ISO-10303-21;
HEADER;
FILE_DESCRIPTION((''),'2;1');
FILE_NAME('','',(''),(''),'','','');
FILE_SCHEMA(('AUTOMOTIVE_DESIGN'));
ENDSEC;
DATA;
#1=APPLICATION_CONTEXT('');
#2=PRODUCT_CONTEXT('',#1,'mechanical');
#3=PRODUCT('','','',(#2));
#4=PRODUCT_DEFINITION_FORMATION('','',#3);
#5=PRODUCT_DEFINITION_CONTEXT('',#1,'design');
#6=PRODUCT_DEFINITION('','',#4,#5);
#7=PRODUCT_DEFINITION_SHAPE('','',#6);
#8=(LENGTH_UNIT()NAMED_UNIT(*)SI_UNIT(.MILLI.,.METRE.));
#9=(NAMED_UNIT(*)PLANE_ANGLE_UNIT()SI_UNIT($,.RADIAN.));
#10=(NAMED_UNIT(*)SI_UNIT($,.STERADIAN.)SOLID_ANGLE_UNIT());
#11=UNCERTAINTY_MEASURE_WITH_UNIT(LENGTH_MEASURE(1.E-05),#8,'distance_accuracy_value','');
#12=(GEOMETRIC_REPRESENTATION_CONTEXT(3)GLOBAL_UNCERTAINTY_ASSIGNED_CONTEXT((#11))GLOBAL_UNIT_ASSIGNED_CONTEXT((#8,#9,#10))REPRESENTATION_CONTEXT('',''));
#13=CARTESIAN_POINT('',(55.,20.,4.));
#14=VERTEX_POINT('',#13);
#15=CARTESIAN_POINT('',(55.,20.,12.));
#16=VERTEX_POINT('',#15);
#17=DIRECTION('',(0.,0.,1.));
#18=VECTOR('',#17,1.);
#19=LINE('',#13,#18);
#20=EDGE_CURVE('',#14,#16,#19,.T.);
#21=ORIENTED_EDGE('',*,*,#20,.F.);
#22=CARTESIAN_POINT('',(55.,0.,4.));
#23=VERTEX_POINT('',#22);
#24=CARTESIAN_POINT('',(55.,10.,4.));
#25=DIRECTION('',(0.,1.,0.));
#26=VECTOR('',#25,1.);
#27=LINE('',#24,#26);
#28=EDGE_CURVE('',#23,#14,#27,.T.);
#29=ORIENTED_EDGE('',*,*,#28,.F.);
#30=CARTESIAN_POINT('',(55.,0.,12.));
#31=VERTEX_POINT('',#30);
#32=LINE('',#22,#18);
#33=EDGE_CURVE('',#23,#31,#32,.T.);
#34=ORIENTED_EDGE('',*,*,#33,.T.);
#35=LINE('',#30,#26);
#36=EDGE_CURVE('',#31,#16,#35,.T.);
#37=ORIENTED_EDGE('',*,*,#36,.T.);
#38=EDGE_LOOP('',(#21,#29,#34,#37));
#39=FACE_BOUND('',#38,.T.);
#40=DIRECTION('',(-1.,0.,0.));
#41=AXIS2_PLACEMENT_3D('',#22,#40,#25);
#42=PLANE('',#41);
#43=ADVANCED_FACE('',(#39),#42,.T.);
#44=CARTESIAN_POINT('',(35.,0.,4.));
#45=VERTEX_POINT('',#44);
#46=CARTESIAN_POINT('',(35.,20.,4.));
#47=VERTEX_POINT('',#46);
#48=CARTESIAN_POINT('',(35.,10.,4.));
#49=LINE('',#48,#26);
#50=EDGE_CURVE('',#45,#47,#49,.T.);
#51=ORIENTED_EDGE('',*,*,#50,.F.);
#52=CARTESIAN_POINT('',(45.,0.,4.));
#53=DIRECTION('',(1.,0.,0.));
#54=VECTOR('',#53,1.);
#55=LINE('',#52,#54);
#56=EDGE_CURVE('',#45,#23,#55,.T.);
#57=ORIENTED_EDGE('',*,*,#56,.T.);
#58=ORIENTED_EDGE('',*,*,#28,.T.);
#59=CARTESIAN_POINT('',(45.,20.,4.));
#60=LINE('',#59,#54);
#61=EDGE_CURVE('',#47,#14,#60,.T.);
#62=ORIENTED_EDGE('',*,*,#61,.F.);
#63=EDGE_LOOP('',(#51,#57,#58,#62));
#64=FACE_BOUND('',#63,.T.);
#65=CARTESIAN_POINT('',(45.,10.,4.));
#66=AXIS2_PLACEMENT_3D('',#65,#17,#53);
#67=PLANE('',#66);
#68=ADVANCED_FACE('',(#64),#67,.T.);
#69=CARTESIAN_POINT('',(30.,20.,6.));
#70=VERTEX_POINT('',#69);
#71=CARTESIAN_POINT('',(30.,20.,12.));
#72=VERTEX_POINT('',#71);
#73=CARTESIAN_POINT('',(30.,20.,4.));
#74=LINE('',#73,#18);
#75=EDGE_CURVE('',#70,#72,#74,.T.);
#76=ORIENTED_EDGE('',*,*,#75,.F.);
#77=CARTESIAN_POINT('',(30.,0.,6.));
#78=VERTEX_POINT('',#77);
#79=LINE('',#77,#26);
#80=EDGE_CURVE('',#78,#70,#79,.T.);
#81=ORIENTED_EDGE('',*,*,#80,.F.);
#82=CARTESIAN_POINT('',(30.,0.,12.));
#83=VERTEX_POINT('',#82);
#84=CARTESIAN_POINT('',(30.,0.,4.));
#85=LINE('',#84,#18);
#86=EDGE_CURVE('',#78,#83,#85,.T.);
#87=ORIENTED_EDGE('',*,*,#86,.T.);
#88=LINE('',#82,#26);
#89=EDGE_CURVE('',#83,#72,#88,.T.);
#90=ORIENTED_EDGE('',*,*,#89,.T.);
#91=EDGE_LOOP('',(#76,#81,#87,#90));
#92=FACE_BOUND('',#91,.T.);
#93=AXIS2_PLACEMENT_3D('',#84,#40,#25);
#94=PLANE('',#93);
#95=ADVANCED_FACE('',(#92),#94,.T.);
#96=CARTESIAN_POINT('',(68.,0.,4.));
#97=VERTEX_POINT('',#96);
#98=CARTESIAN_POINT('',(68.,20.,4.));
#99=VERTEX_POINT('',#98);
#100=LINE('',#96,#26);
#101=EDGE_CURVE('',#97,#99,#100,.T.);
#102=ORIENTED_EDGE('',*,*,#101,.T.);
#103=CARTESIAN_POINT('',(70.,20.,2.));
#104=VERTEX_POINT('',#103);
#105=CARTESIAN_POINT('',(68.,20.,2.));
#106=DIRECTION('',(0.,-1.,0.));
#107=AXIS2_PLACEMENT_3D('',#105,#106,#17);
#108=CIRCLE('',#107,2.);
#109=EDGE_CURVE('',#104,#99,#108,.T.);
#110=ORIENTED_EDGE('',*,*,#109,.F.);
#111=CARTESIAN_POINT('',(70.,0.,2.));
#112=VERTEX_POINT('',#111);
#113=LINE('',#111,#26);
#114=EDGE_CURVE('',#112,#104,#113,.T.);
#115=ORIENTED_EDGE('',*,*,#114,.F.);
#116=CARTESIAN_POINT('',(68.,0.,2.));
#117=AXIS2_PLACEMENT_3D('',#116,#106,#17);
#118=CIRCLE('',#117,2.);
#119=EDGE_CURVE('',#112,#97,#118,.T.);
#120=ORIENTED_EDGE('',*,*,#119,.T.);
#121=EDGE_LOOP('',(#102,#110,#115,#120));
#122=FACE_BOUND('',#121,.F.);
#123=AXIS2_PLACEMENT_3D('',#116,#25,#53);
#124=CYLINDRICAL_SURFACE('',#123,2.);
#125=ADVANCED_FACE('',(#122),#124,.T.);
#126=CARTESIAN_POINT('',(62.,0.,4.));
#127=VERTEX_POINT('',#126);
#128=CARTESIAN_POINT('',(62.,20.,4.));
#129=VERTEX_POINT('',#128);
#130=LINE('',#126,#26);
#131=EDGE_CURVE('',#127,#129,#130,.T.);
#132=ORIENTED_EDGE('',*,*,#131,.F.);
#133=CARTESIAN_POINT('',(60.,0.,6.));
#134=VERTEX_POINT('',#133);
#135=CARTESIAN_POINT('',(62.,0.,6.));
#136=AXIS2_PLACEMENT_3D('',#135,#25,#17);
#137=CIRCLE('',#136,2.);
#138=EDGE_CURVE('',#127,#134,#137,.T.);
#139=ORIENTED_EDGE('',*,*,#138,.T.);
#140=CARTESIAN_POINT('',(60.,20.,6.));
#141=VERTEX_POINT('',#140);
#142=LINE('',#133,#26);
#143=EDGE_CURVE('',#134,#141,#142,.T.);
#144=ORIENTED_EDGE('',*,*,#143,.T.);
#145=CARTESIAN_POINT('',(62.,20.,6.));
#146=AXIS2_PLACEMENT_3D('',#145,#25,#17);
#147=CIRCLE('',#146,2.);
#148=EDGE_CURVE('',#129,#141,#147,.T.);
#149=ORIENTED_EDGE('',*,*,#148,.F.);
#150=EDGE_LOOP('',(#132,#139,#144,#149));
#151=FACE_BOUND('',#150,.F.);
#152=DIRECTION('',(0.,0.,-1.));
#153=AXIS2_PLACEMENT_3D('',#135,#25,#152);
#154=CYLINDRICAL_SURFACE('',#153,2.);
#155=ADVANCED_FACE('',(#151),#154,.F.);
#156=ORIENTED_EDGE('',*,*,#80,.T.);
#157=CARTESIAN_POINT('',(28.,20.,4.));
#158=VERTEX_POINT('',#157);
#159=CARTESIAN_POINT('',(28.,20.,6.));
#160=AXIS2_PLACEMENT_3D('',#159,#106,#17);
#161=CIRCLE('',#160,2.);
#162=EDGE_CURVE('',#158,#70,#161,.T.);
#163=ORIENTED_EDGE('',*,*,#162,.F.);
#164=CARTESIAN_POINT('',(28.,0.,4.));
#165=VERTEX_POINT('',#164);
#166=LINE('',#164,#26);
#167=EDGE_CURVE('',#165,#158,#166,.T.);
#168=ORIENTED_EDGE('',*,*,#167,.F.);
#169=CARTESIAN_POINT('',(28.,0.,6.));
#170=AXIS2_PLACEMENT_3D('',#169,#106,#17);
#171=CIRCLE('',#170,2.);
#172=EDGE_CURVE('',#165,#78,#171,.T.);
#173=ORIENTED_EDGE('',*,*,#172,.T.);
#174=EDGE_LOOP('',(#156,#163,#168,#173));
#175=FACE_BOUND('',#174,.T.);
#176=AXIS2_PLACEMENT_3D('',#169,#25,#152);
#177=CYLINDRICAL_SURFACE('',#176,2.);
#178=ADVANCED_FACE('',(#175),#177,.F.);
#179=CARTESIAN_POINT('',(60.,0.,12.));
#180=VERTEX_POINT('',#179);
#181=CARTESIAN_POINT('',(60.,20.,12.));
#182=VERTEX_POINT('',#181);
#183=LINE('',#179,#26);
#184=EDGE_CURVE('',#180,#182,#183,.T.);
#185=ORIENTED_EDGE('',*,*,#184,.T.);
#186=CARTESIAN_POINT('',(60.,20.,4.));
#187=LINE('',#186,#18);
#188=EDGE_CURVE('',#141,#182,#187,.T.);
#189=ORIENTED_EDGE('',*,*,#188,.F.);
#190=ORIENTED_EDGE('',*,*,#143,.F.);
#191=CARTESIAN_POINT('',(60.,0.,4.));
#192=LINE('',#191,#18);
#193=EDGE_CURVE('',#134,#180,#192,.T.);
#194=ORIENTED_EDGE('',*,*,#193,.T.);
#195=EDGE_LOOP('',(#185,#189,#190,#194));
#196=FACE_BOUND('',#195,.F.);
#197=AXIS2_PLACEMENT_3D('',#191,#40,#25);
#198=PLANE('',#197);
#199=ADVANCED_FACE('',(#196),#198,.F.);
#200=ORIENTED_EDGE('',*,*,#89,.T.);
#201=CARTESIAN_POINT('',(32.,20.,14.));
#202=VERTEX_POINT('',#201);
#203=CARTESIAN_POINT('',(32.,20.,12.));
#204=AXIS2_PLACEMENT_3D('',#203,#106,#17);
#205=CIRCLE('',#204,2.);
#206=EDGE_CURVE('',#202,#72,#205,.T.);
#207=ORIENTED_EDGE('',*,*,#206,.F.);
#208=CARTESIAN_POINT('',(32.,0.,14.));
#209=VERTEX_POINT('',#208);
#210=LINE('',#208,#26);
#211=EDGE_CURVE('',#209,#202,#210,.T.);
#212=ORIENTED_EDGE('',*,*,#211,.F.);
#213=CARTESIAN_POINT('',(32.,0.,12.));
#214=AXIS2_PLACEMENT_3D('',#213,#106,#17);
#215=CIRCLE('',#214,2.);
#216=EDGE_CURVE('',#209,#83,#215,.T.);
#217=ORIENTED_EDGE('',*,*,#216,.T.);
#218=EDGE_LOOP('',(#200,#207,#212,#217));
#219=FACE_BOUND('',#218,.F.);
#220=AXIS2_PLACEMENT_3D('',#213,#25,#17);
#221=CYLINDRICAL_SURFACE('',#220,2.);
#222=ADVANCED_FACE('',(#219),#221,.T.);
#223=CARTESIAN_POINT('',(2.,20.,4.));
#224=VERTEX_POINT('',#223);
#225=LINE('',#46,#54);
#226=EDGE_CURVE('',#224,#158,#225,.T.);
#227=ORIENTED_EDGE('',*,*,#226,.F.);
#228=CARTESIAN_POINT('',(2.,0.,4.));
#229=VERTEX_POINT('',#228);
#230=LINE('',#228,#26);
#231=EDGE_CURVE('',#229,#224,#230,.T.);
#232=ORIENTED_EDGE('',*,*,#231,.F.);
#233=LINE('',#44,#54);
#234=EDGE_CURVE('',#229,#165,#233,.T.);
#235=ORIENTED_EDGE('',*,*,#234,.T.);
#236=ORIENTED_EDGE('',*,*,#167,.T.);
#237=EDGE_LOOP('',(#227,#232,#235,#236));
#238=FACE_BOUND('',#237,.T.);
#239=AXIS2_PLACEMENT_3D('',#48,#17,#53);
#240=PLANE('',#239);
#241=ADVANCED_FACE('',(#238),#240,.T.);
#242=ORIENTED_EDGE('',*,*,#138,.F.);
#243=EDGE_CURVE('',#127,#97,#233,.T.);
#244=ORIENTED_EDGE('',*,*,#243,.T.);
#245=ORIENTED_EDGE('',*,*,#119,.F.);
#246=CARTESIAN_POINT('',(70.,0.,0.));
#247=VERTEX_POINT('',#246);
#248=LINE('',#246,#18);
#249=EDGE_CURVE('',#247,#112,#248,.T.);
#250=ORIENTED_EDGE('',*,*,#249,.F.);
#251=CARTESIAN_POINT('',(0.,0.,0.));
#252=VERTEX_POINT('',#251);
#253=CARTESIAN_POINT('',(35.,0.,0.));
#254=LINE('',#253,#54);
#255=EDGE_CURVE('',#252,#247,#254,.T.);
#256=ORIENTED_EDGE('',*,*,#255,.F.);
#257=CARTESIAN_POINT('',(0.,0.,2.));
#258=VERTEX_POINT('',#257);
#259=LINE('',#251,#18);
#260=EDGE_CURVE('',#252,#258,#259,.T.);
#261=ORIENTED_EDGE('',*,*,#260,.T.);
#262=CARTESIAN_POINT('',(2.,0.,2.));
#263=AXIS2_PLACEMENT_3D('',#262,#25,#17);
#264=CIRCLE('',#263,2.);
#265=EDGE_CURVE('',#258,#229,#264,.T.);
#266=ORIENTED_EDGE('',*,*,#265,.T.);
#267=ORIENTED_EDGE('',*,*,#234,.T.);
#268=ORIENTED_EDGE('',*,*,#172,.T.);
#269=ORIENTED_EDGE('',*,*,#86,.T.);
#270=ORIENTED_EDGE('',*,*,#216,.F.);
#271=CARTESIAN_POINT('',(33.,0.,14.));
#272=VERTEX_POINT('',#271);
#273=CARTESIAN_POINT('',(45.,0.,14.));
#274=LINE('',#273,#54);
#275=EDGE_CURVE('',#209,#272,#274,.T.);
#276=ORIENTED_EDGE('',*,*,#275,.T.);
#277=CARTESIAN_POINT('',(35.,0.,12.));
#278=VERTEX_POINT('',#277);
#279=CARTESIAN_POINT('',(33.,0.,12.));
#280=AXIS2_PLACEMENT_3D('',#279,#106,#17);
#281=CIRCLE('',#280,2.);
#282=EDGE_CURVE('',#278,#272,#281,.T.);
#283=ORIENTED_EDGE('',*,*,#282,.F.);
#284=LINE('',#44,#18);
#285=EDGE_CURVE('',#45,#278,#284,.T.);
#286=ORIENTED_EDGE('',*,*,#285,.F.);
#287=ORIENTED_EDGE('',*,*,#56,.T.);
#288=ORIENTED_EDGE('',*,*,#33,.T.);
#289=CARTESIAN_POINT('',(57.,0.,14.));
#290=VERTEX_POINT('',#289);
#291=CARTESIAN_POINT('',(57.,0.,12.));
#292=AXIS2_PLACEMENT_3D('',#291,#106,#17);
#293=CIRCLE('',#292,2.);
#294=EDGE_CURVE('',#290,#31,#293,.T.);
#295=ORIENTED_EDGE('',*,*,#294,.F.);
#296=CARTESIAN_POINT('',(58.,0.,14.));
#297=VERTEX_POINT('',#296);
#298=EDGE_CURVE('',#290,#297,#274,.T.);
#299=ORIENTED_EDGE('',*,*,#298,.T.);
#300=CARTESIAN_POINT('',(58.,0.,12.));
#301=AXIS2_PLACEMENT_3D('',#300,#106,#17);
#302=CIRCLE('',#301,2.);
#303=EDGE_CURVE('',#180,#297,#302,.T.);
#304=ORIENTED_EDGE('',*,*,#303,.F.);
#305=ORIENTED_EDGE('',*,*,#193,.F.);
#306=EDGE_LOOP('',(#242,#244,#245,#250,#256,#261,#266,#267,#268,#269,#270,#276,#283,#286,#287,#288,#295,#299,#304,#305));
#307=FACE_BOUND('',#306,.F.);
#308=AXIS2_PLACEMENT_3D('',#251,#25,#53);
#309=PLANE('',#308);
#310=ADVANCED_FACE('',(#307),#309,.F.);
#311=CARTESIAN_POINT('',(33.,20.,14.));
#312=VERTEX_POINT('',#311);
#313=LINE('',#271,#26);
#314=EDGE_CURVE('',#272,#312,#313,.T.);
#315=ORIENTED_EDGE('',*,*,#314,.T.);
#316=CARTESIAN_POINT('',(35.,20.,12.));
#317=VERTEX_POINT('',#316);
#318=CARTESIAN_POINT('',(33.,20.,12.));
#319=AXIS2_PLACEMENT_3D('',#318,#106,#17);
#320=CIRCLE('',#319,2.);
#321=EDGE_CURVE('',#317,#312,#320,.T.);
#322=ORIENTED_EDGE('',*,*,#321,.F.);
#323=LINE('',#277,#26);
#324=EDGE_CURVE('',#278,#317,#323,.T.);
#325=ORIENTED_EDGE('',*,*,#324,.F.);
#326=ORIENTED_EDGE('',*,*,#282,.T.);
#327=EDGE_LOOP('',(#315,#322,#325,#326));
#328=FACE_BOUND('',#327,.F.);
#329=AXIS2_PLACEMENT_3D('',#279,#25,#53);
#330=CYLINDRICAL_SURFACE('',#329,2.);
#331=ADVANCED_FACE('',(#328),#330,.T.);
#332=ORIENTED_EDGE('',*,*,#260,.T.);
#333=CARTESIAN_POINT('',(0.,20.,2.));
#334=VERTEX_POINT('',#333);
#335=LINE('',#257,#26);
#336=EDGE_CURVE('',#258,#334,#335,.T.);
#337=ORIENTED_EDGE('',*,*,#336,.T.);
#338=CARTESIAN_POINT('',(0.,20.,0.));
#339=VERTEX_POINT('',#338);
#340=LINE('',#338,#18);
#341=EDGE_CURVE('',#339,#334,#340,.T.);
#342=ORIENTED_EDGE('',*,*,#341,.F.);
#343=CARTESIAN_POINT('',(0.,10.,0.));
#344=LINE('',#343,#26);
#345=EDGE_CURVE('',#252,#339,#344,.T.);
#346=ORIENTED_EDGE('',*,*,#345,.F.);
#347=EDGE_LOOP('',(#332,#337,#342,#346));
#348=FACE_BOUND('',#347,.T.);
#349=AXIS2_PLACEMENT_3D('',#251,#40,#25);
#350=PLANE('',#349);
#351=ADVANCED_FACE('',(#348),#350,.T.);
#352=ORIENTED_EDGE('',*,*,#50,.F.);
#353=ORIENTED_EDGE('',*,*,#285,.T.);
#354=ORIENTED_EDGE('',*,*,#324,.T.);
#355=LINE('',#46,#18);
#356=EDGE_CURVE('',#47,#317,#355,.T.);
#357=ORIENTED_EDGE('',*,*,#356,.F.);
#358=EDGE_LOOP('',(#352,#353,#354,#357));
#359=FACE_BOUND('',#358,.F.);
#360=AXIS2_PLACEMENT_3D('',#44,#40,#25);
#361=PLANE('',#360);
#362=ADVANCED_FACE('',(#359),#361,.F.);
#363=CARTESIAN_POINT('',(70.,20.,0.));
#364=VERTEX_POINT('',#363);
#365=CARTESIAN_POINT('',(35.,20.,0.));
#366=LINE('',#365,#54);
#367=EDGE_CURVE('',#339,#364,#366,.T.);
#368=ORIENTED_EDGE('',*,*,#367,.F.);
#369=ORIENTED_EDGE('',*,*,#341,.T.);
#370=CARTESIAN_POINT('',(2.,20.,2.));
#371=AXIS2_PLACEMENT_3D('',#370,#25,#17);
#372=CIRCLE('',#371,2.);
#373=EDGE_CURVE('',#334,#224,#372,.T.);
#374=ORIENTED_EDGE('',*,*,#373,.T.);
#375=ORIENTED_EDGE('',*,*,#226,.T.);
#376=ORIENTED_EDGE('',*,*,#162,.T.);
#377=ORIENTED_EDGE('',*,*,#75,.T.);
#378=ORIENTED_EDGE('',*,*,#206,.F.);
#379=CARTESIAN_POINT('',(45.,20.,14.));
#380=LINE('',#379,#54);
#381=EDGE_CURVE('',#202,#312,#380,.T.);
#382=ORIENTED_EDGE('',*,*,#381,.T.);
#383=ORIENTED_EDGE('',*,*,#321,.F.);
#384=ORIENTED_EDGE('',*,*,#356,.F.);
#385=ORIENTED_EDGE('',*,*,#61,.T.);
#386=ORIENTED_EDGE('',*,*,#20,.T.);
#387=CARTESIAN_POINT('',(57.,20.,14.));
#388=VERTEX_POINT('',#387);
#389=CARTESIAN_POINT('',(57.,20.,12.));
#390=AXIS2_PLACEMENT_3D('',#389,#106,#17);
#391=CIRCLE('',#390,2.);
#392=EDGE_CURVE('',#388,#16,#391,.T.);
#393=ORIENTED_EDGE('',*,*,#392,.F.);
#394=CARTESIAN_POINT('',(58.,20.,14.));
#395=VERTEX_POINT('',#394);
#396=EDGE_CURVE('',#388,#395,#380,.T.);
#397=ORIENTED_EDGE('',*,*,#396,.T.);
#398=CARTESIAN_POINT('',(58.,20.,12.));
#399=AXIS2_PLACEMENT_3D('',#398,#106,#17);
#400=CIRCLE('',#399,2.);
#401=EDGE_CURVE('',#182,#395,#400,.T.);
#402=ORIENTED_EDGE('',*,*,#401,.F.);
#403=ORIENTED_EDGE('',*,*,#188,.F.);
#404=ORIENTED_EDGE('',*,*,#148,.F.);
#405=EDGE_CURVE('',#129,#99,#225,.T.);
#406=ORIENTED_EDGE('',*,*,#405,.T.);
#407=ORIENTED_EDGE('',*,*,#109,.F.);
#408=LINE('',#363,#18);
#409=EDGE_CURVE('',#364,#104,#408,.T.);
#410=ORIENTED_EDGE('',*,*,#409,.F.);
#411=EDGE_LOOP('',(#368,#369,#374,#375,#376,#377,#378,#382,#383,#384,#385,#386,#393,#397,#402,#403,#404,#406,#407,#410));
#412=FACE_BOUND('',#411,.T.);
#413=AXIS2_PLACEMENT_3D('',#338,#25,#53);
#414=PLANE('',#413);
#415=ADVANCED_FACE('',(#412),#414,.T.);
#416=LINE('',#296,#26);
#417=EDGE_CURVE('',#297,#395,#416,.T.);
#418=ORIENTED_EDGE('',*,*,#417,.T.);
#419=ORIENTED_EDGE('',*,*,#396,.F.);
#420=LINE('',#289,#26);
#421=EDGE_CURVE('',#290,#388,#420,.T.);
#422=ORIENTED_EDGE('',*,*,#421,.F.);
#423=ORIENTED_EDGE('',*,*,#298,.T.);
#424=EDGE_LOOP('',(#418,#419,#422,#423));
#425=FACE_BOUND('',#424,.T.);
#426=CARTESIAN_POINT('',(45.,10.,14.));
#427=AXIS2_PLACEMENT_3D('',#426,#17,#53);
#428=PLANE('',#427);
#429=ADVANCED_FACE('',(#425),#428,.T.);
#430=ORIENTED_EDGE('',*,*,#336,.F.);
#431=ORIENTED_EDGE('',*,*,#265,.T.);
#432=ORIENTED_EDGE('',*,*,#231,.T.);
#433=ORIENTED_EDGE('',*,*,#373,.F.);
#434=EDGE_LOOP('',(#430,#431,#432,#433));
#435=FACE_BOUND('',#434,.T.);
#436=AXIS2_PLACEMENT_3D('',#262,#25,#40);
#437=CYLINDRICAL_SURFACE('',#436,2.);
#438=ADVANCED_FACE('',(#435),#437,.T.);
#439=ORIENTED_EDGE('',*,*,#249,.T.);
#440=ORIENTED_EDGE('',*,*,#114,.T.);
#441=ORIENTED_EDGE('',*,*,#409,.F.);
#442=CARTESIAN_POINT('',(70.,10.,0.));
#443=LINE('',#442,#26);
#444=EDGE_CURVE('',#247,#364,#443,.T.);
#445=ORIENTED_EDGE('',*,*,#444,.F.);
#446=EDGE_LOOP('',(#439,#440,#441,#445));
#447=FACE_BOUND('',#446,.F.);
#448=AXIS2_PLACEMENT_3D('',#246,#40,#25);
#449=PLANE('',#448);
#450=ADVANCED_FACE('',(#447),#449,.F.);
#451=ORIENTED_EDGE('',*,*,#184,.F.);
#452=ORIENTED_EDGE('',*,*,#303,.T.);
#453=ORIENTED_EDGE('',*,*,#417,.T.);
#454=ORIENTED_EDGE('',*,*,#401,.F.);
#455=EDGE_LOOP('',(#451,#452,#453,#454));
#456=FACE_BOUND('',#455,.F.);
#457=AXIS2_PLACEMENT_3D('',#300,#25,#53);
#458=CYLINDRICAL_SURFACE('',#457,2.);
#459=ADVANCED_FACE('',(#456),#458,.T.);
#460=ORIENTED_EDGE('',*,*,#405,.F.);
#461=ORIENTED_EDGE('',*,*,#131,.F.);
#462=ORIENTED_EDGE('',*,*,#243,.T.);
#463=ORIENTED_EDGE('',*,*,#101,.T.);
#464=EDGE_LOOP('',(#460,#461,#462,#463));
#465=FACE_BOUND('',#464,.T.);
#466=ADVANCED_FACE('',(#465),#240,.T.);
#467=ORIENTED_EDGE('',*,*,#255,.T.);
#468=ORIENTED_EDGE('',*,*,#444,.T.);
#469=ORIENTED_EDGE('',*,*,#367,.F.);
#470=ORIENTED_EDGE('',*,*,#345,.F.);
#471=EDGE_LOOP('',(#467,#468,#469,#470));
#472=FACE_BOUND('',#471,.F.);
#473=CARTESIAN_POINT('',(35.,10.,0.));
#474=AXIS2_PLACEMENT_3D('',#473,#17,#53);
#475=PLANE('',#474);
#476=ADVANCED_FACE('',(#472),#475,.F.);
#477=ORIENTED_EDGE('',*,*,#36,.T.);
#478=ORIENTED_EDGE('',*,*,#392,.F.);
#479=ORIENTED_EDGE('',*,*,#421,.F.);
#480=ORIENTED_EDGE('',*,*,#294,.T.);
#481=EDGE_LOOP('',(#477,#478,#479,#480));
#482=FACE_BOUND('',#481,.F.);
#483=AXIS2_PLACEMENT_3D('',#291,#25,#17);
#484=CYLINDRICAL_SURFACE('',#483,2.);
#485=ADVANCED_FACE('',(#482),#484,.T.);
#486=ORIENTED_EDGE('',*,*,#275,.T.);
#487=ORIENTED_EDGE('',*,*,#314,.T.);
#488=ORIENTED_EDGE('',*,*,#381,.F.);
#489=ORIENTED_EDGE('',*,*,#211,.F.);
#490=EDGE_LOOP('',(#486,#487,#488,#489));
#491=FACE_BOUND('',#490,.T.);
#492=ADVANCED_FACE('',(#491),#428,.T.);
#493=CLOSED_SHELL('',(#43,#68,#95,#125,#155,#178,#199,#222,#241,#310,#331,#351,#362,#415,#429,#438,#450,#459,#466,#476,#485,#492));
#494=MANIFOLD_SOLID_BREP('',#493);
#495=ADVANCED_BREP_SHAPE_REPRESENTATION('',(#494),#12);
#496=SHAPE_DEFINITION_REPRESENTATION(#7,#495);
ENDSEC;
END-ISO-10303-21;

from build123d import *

# Parameters (mm, degrees)
BOX002_W     = 20
BOX002_H     = 20
BOX002_DEPTH = 10
BOX001_W     = 30
BOX001_H     = 20
BOX001_DEPTH = 10
BOX_W        = 70
BOX_H        = 20
BOX_DEPTH    = 4
FILLET_R     = 2


with BuildPart() as cube002:
    # Box002 → Box002 (new body)
    with BuildSketch(Plane(origin=(35, 0, 4), x_dir=(1, 0, 0), z_dir=(0, 0, 1))):
        with Locations((10, 10)):
            Rectangle(BOX002_W, BOX002_H)
    extrude(amount=BOX002_DEPTH)


with BuildPart() as cube001:
    # Box001 → Box001 (new body)
    with BuildSketch(Plane(origin=(30, 0, 4), x_dir=(1, 0, 0), z_dir=(0, 0, 1))):
        with Locations((15, 10)):
            Rectangle(BOX001_W, BOX001_H)
    extrude(amount=BOX001_DEPTH)


with BuildPart() as fillet_body:
    # Box → Box (new body)
    with BuildSketch(Plane.XY):
        with Locations((35, 10)):
            Rectangle(BOX_W, BOX_H)
    extrude(amount=BOX_DEPTH)

    # Fusion: union Cube001
    add(cube001.part)

    # Cut: cut Cube002
    add(cube002.part, mode=Mode.SUBTRACT)

    # Fillet
    fillet_edges = [fillet_body.edges().sort_by_distance(p)[0] for p in [
        (0, 10, 4),
        (30, 10, 4),
        (70, 10, 4),
        (60, 10, 4),
        (30, 10, 14),
        (35, 10, 14),
        (55, 10, 14),
        (60, 10, 14),
    ]]
    fillet(fillet_edges, radius=FILLET_R)


solid = fillet_body.part
